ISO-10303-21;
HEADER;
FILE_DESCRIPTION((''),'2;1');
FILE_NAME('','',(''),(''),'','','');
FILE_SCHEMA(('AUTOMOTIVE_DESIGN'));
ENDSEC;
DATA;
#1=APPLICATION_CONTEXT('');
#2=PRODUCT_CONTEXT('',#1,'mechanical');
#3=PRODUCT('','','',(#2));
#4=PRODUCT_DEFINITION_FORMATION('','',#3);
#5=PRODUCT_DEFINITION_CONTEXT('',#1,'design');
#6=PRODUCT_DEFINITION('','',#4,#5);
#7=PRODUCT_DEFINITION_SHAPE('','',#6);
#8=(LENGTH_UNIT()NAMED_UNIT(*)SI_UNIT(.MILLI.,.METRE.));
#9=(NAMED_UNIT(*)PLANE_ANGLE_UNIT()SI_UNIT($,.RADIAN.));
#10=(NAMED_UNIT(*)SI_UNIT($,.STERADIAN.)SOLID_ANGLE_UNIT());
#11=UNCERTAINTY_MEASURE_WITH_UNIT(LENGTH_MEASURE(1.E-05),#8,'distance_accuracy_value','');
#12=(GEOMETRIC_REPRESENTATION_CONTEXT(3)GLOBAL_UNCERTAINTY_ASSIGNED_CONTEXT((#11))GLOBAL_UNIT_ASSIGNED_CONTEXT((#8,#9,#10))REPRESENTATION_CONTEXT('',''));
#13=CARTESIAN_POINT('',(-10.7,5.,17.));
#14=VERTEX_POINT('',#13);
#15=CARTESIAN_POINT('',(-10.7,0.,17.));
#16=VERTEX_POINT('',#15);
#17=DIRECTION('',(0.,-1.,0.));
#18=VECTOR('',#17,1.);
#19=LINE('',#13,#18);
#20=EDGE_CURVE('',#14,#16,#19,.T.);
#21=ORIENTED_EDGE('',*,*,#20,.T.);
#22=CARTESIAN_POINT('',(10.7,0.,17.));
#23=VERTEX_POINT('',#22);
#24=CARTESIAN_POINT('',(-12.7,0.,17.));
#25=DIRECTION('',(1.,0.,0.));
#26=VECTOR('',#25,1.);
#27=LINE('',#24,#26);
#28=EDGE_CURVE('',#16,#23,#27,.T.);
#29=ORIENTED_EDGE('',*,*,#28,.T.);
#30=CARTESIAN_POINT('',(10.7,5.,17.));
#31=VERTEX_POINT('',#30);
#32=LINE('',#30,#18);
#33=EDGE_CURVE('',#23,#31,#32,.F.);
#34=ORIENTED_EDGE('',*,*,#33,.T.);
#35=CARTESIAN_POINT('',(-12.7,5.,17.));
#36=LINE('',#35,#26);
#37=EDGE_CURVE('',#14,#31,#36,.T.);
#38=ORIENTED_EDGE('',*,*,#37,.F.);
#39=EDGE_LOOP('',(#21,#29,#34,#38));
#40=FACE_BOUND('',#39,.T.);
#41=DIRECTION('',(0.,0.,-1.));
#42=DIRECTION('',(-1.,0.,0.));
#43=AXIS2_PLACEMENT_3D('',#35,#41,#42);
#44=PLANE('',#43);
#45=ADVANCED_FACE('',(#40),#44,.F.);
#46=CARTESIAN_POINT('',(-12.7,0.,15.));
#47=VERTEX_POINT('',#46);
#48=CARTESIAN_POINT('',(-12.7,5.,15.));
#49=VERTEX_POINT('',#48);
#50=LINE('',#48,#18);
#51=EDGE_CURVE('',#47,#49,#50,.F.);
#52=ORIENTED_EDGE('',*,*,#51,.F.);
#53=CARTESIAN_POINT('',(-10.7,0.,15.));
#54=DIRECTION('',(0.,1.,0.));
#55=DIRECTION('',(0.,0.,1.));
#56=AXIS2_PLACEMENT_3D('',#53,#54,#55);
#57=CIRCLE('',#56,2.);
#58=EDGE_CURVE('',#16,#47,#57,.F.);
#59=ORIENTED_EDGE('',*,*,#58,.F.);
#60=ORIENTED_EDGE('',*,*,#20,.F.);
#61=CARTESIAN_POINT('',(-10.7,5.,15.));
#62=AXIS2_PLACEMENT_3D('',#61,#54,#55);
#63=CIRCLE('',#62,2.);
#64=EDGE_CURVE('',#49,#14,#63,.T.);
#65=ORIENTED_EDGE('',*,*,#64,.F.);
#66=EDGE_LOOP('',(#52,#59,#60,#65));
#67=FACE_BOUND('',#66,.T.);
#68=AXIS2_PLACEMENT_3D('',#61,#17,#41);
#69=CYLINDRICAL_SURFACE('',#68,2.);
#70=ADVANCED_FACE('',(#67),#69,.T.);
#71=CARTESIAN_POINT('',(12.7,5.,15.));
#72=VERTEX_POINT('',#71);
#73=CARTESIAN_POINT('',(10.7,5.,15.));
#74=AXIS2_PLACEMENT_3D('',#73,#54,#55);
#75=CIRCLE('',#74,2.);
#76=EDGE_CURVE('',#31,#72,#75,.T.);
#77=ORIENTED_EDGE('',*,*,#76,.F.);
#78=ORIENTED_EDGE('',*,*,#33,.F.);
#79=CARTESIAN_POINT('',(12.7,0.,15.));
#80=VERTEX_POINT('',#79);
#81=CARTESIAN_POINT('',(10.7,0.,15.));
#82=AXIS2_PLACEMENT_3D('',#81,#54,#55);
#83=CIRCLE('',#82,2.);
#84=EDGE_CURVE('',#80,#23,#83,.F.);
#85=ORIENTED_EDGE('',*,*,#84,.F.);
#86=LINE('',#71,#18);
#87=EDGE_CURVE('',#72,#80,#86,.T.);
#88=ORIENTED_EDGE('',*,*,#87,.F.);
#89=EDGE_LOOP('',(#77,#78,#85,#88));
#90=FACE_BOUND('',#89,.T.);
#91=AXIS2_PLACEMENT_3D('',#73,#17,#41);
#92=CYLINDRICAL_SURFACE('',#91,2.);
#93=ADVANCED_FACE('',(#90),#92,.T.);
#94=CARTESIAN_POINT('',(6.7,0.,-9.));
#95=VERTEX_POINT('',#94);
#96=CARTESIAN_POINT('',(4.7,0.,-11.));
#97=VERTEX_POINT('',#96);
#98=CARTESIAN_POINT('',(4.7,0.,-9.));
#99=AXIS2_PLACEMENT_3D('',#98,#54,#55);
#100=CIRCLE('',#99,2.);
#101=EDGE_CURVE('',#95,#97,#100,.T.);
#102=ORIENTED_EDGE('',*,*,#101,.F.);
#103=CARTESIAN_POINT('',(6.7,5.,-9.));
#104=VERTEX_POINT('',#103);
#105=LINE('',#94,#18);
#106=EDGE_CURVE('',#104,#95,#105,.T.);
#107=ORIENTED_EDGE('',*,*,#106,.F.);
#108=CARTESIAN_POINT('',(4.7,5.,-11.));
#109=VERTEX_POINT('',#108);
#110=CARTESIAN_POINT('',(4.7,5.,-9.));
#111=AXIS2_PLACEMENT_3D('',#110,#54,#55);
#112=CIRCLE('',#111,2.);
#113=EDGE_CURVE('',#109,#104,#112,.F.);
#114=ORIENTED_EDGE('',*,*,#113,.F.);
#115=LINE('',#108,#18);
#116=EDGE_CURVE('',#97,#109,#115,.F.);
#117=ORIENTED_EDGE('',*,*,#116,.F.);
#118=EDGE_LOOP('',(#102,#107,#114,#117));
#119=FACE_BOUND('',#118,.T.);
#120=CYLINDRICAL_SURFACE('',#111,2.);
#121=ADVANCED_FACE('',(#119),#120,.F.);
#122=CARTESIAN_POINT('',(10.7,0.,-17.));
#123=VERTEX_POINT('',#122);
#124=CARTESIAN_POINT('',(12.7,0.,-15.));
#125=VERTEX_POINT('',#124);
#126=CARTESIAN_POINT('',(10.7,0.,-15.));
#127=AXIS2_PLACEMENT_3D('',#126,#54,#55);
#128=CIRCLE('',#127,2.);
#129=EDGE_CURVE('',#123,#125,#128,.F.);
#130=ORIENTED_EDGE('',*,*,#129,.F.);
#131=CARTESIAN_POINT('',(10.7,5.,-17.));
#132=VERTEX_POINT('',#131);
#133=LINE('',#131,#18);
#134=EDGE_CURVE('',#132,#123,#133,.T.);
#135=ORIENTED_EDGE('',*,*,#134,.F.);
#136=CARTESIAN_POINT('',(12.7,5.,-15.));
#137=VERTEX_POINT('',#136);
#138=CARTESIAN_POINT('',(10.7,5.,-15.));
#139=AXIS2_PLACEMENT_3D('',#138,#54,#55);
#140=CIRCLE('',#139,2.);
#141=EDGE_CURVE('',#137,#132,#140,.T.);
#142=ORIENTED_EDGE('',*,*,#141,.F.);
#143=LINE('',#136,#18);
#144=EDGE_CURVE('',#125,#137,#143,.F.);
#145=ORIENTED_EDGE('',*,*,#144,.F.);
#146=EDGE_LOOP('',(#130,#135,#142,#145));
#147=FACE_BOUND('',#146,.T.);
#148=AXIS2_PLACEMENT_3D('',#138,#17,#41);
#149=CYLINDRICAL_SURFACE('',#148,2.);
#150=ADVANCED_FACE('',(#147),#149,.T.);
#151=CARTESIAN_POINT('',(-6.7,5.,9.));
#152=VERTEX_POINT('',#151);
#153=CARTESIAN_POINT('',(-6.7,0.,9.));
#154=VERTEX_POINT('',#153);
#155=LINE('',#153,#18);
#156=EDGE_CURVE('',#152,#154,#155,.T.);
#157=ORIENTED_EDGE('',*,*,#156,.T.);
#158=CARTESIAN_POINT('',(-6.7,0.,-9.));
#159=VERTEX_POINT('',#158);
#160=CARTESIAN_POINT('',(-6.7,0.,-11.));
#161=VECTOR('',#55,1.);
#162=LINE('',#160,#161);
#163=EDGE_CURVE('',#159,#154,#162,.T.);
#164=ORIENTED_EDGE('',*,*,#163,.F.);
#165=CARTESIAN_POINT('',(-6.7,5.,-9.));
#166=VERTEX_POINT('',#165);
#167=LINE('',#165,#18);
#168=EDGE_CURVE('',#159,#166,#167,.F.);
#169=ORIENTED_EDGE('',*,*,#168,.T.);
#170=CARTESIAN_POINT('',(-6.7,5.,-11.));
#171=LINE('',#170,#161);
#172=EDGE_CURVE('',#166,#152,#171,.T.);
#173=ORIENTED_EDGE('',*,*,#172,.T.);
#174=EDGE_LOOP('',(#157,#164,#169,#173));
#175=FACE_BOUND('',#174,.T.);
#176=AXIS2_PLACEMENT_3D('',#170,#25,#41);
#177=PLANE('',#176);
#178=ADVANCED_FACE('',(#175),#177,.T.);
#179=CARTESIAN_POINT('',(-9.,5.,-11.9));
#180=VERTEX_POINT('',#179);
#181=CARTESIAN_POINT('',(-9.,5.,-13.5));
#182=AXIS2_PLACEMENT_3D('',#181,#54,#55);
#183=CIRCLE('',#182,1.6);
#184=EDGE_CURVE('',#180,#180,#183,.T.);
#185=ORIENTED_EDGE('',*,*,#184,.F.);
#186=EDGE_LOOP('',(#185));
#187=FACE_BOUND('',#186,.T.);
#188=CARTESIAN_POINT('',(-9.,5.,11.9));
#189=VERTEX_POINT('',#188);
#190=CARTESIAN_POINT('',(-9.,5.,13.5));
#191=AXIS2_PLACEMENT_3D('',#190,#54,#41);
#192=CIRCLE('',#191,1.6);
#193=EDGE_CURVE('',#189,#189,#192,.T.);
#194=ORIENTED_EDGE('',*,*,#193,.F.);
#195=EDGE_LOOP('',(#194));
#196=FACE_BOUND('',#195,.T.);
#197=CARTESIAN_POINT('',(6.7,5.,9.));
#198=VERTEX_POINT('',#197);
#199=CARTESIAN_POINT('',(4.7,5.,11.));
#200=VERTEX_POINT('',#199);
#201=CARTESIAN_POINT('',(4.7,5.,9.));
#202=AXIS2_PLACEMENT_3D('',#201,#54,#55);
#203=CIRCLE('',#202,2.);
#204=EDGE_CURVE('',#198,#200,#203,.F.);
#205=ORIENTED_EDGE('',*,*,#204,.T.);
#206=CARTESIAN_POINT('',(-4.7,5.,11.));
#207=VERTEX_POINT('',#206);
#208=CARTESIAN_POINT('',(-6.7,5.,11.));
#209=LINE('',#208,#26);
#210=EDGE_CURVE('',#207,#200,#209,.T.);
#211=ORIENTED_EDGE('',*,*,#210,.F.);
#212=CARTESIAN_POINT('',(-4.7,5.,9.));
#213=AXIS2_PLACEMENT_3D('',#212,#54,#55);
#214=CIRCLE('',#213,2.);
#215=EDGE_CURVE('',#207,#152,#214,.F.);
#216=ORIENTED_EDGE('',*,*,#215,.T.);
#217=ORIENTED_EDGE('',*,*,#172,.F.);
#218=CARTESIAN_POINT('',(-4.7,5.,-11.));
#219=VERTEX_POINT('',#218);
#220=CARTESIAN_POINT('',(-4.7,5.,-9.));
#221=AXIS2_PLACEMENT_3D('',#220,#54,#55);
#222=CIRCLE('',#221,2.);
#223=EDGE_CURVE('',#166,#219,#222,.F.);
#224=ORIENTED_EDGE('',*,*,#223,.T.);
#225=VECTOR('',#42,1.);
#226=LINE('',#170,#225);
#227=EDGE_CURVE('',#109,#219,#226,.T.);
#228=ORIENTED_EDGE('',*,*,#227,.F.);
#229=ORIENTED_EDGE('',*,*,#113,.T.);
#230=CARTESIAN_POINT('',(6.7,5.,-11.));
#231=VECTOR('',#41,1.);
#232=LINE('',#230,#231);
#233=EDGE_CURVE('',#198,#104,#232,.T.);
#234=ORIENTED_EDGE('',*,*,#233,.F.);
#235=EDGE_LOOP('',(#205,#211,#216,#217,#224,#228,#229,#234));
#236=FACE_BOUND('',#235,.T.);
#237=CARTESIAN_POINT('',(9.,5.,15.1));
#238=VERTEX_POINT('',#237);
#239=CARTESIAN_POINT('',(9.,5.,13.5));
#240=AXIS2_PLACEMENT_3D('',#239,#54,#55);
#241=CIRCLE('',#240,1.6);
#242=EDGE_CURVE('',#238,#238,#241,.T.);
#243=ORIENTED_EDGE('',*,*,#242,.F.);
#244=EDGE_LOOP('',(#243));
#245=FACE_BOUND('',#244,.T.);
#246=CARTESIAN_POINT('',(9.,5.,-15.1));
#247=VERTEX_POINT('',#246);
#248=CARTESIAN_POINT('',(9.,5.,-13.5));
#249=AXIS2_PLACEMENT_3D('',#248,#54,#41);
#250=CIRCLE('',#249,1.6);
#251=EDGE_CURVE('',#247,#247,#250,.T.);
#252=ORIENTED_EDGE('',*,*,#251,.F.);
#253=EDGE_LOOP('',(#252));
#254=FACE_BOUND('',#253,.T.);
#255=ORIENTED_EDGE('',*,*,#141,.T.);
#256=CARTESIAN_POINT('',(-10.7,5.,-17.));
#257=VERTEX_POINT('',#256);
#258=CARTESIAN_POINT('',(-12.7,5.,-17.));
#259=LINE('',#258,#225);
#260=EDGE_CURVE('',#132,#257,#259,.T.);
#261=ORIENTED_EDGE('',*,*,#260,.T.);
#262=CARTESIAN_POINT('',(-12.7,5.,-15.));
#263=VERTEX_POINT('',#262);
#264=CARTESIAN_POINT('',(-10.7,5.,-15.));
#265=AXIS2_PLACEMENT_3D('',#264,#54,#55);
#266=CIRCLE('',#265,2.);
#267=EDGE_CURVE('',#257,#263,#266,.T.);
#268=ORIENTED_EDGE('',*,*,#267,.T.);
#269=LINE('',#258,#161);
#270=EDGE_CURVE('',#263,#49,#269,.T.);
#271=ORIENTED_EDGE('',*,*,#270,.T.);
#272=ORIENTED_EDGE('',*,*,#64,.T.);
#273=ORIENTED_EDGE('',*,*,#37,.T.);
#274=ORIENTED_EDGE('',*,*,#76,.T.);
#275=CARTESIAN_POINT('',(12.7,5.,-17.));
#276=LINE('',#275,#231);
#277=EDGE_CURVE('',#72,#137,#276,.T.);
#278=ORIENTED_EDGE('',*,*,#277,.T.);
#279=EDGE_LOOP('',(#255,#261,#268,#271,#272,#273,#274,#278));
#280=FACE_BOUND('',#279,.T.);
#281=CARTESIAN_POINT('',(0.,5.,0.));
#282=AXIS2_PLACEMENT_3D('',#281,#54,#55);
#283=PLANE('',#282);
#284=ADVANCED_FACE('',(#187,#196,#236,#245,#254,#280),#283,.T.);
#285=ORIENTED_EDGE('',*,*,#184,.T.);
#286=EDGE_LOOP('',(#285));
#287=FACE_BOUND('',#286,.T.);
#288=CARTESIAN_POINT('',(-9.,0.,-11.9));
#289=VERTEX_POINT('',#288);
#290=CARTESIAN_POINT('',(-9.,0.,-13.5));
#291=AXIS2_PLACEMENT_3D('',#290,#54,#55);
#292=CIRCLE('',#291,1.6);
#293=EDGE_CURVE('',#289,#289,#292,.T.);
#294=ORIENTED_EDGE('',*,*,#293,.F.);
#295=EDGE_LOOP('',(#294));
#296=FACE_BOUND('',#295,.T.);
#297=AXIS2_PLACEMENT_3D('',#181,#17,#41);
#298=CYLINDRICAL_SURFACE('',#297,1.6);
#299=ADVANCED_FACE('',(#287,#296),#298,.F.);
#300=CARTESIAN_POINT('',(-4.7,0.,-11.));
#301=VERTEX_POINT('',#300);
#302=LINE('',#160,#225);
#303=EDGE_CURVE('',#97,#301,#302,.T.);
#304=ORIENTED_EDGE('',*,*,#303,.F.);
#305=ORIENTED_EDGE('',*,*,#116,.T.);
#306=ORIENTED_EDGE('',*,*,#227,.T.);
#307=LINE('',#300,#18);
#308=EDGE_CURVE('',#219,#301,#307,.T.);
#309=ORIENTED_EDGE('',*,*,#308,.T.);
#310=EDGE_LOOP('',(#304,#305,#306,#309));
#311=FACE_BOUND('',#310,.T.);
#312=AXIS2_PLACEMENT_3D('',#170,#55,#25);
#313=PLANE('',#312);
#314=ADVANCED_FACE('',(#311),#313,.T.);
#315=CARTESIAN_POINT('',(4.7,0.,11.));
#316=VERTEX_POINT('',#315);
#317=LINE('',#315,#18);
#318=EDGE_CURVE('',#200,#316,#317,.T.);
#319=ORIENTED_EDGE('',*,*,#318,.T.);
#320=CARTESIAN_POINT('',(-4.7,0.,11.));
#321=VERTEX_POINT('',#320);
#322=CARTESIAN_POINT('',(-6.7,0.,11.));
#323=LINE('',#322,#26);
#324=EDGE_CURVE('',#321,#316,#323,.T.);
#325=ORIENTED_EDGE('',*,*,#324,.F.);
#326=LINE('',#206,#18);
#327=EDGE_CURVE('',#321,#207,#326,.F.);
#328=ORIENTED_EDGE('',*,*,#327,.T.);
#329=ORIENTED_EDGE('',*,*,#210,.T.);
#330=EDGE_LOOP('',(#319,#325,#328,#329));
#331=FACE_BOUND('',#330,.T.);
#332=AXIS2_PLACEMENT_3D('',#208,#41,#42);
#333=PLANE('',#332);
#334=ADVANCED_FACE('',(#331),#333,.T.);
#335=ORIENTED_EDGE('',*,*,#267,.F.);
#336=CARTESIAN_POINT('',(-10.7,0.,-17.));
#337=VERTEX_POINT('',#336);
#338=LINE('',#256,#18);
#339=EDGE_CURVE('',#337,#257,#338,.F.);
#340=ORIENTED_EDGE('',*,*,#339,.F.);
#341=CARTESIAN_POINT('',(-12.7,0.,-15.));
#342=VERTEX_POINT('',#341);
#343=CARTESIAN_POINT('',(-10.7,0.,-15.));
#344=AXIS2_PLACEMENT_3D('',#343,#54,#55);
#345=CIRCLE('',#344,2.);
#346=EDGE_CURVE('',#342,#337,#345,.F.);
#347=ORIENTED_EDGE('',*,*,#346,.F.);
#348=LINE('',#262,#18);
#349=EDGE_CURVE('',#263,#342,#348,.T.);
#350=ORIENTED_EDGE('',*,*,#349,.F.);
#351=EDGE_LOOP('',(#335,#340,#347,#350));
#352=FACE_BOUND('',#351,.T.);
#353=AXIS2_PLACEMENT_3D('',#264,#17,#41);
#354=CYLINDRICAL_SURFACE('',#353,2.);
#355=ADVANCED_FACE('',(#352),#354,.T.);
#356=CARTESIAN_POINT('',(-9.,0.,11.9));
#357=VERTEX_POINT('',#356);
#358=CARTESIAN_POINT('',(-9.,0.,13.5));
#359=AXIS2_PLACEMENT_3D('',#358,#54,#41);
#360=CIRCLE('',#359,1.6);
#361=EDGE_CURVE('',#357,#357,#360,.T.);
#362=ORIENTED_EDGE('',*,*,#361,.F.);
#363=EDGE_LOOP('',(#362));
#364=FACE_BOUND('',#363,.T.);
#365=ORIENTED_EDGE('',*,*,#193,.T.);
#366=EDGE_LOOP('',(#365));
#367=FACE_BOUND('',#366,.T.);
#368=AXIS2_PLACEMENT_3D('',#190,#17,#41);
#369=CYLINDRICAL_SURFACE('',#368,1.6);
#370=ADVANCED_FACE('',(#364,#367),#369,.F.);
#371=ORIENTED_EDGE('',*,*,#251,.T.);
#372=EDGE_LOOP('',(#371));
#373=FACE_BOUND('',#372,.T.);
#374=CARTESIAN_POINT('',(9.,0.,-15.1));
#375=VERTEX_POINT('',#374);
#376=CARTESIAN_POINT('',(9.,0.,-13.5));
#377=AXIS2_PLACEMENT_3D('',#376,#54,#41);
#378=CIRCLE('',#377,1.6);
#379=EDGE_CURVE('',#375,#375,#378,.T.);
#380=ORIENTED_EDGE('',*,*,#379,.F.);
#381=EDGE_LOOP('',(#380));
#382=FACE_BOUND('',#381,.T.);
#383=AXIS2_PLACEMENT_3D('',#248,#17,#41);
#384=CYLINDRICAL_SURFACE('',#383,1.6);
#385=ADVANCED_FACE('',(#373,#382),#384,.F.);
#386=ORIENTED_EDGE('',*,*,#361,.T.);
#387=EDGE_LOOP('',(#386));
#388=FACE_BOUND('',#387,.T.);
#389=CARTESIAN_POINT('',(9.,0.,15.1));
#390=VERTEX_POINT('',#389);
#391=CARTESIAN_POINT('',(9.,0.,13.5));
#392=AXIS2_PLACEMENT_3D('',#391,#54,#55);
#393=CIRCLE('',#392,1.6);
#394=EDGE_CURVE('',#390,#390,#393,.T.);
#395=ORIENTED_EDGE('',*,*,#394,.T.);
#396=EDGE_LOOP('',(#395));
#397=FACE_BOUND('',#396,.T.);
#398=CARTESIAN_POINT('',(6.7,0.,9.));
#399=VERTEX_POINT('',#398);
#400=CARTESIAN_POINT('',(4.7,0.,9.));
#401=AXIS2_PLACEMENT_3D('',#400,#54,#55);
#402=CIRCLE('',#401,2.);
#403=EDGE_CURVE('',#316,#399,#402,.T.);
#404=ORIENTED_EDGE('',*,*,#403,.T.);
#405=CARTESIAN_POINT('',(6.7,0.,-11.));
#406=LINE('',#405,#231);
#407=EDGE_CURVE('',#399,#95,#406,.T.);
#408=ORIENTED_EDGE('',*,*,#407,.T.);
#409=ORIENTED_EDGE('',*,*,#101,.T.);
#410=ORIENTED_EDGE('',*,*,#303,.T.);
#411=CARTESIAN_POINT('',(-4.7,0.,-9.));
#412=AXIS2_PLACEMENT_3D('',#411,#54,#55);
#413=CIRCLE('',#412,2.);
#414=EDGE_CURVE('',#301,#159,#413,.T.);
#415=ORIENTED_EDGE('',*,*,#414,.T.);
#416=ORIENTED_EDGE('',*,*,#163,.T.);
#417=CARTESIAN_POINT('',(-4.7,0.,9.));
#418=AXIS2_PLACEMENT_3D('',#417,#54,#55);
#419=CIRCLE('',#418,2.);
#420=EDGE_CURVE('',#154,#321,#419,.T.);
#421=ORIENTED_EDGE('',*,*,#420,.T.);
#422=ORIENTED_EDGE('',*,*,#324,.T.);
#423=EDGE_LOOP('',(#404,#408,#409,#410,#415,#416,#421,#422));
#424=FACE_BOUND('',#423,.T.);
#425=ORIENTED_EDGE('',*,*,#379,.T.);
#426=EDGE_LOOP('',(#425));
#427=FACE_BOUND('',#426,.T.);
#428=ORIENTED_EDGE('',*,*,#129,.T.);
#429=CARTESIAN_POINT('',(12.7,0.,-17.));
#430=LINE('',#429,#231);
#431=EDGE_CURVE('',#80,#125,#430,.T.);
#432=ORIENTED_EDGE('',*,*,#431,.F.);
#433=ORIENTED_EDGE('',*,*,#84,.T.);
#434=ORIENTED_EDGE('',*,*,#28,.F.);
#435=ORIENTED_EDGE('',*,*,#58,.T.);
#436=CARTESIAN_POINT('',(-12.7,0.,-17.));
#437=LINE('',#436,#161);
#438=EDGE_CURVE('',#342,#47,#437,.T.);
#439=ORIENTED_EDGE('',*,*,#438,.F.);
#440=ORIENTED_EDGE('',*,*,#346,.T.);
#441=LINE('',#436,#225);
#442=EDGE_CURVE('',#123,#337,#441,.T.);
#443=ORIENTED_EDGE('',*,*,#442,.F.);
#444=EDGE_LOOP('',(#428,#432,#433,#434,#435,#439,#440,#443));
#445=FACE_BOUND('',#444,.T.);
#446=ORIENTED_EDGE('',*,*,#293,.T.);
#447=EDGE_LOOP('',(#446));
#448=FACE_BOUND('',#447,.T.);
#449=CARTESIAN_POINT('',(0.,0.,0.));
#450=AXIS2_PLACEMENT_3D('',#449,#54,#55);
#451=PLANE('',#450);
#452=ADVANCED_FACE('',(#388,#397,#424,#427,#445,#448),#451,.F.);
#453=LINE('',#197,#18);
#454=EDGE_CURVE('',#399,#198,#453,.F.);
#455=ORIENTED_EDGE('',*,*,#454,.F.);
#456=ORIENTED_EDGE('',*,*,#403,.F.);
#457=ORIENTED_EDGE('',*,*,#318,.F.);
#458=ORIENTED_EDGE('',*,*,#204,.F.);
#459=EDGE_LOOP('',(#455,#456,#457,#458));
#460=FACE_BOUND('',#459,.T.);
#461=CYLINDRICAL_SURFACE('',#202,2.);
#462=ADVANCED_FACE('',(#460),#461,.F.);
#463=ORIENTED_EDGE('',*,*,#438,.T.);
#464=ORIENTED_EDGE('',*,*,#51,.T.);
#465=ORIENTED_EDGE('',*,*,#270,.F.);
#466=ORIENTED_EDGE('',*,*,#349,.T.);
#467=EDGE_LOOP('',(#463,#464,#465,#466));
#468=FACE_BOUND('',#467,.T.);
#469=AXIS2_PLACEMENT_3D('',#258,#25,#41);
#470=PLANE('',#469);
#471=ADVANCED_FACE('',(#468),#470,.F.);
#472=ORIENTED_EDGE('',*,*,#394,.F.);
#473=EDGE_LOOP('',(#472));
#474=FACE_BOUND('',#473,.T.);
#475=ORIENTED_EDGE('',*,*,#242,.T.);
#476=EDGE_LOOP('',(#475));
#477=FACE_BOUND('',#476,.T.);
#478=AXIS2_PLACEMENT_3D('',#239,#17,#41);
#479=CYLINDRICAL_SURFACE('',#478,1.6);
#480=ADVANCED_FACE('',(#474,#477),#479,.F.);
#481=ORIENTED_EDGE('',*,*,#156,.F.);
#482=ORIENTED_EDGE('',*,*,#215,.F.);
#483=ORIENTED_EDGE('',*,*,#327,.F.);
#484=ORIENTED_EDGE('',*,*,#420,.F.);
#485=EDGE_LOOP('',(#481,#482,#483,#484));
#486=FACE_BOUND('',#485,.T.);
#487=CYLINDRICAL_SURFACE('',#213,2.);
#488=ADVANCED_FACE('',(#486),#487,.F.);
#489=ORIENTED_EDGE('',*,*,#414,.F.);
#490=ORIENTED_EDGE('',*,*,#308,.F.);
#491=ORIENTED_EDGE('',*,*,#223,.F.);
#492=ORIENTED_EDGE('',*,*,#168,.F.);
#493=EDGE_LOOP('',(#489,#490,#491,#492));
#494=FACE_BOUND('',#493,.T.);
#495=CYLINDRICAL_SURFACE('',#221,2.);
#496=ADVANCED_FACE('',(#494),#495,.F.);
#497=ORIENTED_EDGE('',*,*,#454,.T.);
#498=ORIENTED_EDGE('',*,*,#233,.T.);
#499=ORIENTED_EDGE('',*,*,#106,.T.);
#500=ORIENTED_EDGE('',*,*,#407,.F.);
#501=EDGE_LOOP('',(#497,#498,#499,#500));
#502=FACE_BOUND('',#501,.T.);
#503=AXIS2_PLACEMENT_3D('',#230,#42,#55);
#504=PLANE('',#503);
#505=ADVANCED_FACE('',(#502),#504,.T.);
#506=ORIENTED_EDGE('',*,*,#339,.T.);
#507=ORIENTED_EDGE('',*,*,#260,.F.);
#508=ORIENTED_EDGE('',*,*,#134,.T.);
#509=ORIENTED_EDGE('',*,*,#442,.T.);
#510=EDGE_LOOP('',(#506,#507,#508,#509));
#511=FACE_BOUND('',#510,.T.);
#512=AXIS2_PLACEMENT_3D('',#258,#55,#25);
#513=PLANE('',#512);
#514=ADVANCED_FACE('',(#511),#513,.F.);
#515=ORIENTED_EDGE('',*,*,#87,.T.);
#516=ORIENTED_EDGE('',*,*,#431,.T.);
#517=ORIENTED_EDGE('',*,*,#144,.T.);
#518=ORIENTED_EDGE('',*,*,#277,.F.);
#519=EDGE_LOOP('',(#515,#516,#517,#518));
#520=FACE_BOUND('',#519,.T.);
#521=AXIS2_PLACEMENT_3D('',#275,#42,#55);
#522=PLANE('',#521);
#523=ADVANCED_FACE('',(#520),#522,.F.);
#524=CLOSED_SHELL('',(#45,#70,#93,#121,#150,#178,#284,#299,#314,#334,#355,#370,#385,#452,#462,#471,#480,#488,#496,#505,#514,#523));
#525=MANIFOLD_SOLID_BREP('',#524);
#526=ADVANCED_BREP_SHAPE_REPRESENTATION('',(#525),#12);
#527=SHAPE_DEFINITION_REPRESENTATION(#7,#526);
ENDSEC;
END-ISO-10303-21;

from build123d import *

# Parameters (mm, degrees)
SKETCH_1_W      = 25.4
SKETCH_1_H      = 34
SKETCH_1_R      = 1.6
SKETCH_1_W_2    = 13.4
SKETCH_1_H_2    = 22
EXTRUDE_1_DEPTH = 5
FILLET_1_R      = 2


with BuildPart() as part:
    # 草图1 → 凸台-拉伸1 (new body)
    with BuildSketch(Plane(origin=(0, 0, 0), x_dir=(1, 0, 0), z_dir=(0, 1, 0))):
        Rectangle(SKETCH_1_W, SKETCH_1_H)
        with Locations(Location((-9, 13.5, 0), (0, 0, 270))):
            Circle(SKETCH_1_R, mode=Mode.SUBTRACT)
        with Locations(Location((9, 13.5, 0), (0, 0, 90))):
            Circle(SKETCH_1_R, mode=Mode.SUBTRACT)
        with Locations(Location((9, -13.5, 0), (0, 0, 270))):
            Circle(SKETCH_1_R, mode=Mode.SUBTRACT)
        with Locations(Location((-9, -13.5, 0), (0, 0, 90))):
            Circle(SKETCH_1_R, mode=Mode.SUBTRACT)
        Rectangle(SKETCH_1_W_2, SKETCH_1_H_2, mode=Mode.SUBTRACT)
    extrude(amount=EXTRUDE_1_DEPTH)

    # 圆角1
    fillet_1_edges = [part.edges().sort_by_distance(p)[0] for p in [
        (6.7, 2.5, -11),
        (-6.7, 2.5, -11),
        (-6.7, 2.5, 11),
        (6.7, 2.5, 11),
        (12.7, 2.5, 17),
        (-12.7, 2.5, 17),
        (-12.7, 2.5, -17),
        (12.7, 2.5, -17),
    ]]
    fillet(fillet_1_edges, radius=FILLET_1_R)


solid = part.part
